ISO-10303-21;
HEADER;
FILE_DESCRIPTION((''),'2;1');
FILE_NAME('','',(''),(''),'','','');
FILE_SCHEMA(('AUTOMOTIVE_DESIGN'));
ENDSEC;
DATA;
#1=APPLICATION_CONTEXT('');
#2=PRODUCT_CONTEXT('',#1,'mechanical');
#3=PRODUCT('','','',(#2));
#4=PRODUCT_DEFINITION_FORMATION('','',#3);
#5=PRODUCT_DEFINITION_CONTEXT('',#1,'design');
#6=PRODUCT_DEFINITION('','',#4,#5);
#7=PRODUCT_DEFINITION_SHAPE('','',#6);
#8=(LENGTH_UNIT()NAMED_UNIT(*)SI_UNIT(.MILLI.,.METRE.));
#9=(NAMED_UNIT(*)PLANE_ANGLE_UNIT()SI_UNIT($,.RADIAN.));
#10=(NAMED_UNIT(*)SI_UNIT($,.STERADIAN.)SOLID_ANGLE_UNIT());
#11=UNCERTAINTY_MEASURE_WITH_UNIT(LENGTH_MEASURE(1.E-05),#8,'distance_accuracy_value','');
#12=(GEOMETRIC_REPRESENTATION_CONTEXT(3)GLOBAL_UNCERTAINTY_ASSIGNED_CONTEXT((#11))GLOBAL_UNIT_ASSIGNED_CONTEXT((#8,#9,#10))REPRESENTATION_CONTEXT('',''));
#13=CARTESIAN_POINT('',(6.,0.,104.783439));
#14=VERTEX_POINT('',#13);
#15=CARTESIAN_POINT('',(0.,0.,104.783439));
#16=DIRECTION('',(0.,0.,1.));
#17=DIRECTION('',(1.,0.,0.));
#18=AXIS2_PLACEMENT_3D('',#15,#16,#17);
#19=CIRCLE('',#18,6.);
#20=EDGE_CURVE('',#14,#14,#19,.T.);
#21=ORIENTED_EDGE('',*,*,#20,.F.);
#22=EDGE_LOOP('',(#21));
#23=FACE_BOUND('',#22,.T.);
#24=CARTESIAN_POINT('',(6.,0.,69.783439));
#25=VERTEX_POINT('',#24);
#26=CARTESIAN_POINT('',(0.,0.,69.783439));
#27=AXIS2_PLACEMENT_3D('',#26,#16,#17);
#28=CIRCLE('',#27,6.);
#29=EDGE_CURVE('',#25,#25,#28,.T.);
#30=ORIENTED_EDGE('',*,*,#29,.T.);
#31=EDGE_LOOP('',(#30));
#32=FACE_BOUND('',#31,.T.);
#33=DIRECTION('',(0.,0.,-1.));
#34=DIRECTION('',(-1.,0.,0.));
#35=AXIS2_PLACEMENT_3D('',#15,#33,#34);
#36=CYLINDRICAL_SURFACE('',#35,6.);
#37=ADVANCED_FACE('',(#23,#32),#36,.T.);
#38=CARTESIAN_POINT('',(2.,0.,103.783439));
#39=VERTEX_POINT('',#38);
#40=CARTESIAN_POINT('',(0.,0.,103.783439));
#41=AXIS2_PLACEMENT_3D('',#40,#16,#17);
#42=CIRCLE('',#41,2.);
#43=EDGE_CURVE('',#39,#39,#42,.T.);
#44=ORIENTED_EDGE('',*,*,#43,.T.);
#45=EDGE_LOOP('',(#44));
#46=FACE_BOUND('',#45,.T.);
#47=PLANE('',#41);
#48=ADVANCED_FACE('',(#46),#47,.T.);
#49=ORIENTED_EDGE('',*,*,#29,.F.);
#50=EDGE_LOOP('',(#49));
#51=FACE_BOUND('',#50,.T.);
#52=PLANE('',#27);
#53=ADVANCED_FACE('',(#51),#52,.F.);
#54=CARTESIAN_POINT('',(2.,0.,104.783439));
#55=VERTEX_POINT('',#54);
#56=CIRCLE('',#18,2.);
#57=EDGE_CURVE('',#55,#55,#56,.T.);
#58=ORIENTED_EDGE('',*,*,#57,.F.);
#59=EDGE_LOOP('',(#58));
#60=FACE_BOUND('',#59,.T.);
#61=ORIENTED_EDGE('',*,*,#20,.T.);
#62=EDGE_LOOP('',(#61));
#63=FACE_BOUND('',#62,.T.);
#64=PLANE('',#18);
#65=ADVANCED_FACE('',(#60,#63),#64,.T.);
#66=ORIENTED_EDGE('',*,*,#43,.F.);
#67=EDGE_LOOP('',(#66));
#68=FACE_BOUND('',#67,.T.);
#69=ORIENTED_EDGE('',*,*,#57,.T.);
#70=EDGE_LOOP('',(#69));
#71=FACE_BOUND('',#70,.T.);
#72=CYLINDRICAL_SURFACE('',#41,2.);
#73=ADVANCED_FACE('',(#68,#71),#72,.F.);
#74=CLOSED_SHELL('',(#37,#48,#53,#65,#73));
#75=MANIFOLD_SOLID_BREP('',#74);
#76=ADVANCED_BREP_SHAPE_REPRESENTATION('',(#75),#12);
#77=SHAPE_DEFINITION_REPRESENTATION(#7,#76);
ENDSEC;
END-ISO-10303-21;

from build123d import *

# Parameters (mm, degrees)
IZIM1_R                     = 30
Y_KSEKLIK_EKSTR_ZYON1_DEPTH = 175
IZIM5_R                     = 10
KES_EKSTR_ZYON1_DEPTH       = 5
L_EK1_SCALE                 = 0.2


with BuildPart() as part:
    # Çizim1 → Yükseklik-Ekstrüzyon1 (new body)
    with BuildSketch(Plane.XY):
        Circle(IZIM1_R)
    extrude(amount=Y_KSEKLIK_EKSTR_ZYON1_DEPTH)

    # Çizim5 → Kes-Ekstrüzyon1 (cut)
    with BuildSketch(Plane.XY.offset(175)):
        Circle(IZIM5_R)
    extrude(amount=-KES_EKSTR_ZYON1_DEPTH, mode=Mode.SUBTRACT)


with BuildPart() as part_1:
    # Ölçek1: scaled about (0, 0, 87.229299363)
    add(part.part.scale(L_EK1_SCALE).moved(Location((0, 0, 69.78343949))))


solid = part_1.part
